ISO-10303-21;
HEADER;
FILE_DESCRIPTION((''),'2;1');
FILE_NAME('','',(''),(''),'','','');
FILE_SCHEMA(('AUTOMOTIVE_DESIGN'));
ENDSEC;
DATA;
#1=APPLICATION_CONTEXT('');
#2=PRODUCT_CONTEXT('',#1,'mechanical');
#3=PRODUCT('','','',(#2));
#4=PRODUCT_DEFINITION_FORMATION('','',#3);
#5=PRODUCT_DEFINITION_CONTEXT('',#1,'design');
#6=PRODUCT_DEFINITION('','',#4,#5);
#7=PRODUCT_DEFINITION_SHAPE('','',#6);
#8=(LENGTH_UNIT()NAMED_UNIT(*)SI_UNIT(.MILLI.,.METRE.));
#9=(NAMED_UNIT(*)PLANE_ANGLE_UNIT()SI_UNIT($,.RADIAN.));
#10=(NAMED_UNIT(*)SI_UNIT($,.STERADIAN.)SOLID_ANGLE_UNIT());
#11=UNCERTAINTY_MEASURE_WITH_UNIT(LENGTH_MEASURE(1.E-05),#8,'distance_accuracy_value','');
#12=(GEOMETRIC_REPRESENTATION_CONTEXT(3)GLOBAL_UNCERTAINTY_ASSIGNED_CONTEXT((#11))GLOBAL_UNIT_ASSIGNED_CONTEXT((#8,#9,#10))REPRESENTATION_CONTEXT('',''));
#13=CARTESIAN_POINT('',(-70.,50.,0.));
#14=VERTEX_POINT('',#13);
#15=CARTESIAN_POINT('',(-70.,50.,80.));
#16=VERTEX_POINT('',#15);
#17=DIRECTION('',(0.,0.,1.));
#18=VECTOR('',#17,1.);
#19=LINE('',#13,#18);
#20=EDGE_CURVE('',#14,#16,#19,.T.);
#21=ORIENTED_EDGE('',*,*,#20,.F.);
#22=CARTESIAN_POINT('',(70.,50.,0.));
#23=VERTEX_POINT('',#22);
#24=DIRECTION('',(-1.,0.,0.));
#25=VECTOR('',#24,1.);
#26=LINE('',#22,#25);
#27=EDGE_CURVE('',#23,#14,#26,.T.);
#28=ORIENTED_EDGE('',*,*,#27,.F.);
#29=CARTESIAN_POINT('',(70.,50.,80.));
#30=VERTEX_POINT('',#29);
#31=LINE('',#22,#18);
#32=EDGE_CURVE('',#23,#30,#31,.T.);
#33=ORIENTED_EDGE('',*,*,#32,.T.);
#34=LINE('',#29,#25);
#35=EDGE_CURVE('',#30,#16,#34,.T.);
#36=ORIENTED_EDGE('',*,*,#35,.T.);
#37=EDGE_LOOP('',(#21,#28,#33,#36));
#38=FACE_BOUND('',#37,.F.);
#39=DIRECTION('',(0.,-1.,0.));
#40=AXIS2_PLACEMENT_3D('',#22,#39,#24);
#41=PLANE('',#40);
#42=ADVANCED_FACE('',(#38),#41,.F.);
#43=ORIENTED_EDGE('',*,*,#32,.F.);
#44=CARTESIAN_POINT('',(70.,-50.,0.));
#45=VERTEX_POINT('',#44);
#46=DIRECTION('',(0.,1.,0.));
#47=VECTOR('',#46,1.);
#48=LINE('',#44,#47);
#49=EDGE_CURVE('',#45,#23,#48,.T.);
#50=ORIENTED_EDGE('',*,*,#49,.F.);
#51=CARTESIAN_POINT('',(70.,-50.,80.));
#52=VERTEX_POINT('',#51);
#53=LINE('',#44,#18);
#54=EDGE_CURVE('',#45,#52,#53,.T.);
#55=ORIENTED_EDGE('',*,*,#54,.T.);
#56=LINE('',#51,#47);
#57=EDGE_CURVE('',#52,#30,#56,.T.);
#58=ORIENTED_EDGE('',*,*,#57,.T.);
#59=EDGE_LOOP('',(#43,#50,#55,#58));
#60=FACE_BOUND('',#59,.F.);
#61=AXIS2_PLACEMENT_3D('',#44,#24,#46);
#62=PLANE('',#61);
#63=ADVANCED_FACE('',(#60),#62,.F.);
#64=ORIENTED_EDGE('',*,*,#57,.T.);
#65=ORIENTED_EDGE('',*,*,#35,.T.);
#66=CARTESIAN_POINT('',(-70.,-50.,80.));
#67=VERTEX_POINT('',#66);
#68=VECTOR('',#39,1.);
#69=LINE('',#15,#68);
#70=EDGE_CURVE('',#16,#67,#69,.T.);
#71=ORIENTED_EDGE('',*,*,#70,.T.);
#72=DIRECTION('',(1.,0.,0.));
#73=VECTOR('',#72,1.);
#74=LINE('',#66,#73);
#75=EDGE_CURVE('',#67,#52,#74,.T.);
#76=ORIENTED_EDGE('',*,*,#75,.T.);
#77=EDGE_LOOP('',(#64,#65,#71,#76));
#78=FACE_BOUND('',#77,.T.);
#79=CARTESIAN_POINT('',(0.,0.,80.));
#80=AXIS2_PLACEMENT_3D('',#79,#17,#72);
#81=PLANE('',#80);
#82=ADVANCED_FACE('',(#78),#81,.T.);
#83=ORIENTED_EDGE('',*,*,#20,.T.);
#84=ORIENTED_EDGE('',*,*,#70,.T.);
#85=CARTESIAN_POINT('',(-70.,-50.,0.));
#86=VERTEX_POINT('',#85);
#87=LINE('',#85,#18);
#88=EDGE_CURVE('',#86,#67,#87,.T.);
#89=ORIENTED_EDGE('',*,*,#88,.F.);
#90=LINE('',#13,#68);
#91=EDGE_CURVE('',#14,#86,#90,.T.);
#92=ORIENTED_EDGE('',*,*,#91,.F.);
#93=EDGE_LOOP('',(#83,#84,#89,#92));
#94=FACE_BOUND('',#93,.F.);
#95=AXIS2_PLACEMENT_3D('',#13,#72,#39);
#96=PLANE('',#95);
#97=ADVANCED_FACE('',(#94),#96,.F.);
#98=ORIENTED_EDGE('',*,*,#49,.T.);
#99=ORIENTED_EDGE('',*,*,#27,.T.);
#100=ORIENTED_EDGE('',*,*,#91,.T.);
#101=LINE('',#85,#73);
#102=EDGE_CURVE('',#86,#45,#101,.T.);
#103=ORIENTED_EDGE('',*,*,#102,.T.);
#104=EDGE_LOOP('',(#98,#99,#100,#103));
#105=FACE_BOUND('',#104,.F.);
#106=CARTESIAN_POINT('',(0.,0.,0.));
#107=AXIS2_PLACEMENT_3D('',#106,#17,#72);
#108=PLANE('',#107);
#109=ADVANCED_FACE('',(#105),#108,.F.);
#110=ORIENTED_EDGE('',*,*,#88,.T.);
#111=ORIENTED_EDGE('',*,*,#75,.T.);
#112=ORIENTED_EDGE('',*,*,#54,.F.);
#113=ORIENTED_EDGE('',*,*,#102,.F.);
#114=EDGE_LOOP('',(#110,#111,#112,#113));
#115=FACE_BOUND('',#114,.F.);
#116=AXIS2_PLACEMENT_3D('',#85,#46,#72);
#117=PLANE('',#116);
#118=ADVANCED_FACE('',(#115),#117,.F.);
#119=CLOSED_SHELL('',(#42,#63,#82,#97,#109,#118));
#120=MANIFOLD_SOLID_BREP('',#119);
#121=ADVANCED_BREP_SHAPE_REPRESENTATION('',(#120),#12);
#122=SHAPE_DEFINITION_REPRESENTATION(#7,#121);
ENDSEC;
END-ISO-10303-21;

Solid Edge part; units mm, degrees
sketch "Sketch1" plane through (0, 0, 0) normal (0, 0, 1) x (1, 0, 0)
  line L0 (-70, -50) -> (70, -50)
  line L1 (70, -50) -> (70, 50)
  line L2 (70, 50) -> (-70, 50)
  line L3 (-70, 50) -> (-70, -50)
  dimension "D1" = 100
  dimension "D2" = 140
extrude "Protrusion1" add sketch "Sketch1" along normal blind 80
